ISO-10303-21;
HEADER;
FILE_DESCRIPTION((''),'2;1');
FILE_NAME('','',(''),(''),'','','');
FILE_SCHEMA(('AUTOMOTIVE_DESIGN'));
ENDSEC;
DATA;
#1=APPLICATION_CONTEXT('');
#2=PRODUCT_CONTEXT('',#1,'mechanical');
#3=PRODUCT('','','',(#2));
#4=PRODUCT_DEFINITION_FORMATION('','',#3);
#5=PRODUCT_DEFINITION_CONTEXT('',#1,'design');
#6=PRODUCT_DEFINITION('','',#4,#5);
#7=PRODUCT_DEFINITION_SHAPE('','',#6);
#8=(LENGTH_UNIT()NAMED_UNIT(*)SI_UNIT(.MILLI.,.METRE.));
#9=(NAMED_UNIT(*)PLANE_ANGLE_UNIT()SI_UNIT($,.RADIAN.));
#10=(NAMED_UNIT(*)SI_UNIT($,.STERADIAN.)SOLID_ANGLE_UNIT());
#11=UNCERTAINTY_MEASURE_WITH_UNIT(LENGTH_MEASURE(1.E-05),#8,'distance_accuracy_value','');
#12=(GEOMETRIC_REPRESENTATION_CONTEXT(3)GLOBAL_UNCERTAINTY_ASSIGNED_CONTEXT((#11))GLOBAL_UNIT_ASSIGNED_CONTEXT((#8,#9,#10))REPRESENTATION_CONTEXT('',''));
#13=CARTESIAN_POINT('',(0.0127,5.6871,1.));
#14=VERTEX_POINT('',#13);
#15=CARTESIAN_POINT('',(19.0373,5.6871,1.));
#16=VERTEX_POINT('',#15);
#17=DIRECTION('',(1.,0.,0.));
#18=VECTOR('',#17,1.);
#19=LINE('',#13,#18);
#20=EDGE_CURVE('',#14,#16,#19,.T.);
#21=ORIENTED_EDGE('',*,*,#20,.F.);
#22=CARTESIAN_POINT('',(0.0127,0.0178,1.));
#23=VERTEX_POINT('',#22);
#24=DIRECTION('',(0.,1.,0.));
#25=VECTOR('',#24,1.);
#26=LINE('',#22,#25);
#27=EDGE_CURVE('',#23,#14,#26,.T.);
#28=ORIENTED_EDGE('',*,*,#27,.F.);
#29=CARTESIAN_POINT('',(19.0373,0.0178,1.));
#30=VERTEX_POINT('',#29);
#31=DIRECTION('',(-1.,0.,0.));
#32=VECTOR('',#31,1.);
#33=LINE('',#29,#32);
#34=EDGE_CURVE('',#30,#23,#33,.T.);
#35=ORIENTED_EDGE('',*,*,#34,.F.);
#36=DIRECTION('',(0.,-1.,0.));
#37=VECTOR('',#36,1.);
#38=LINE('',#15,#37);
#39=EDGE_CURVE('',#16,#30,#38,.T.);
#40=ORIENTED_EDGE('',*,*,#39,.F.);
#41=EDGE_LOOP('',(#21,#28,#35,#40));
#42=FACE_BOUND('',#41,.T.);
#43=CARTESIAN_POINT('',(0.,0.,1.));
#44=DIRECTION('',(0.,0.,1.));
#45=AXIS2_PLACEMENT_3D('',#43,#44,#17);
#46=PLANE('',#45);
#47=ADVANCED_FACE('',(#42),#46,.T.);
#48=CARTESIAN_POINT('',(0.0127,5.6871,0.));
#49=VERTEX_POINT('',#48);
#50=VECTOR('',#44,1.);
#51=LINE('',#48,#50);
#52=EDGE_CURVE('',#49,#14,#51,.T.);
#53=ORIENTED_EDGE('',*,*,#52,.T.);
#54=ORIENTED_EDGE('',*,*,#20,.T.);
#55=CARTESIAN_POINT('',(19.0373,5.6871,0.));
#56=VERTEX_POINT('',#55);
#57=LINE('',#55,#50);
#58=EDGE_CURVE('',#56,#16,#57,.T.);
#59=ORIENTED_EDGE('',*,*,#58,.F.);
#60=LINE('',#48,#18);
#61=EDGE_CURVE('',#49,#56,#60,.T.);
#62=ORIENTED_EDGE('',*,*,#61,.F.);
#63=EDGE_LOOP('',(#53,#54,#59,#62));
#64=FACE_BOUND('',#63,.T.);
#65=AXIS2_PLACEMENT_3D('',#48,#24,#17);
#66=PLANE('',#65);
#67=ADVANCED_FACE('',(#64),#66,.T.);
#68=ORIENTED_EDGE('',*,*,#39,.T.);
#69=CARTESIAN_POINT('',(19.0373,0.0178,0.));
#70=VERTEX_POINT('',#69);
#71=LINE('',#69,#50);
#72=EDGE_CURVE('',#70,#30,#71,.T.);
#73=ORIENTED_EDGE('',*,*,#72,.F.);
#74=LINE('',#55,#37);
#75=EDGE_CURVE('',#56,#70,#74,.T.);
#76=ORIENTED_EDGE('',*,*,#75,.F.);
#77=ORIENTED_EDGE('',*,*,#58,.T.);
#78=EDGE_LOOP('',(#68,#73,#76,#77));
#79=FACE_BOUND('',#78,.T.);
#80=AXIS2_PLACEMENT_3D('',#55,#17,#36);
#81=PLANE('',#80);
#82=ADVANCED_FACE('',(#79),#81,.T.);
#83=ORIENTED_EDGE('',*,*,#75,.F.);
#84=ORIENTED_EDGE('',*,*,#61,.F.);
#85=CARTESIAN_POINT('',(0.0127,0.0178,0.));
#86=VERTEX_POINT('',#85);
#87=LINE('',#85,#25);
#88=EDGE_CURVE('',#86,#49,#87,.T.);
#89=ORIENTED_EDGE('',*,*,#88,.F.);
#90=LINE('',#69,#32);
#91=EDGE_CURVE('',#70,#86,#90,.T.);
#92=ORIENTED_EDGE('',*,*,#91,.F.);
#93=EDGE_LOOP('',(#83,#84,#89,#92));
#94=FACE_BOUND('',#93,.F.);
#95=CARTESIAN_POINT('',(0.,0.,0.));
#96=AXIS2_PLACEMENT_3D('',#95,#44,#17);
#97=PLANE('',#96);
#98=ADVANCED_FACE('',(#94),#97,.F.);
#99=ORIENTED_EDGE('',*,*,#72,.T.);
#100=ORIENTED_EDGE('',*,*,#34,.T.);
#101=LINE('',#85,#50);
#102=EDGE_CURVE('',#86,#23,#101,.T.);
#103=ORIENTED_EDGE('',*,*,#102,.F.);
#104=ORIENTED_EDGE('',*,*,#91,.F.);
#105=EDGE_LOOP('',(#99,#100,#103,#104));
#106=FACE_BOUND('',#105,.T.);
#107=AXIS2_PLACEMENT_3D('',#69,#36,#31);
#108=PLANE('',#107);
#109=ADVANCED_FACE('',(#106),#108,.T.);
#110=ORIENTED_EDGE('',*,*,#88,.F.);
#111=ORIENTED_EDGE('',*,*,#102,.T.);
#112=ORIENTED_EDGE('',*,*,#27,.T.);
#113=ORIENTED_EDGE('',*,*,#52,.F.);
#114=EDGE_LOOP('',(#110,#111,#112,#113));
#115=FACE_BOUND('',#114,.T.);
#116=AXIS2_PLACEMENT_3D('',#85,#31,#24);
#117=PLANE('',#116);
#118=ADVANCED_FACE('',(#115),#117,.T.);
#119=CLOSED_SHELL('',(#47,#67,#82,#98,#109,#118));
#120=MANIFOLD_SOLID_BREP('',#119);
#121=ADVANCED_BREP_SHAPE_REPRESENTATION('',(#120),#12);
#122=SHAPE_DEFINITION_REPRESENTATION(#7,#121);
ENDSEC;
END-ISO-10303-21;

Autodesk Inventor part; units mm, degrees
ref_plane "YZ Plane" through (0, 0, 0) normal (1, 0, 0) x (0, 1, 0)
ref_plane "XZ Plane" through (0, 0, 0) normal (0, 1, 0) x (-1, 0, 0)
ref_plane "XY Plane" through (0, 0, 0) normal (0, 0, 1) x (1, 0, 0)
sketch "SFE-NEW-WEBLOGO, LOGO-SFENEW_60" plane through (0, 0, 0) normal (0, 0, 1) x (1, 0, 0)
  line L0 (0.0127, 5.6871) -> (19.0373, 5.6871)
  line L1 (19.0373, 5.6871) -> (19.0373, 0.0178)
  line L2 (19.0373, 0.0178) -> (0.0127, 0.0178)
  line L3 (0.0127, 0.0178) -> (0.0127, 5.6871)
extrude "Extrusion1" add sketch "SFE-NEW-WEBLOGO, LOGO-SFENEW_60" along normal blind 1
properties part number "LOGO-SFENEW"
